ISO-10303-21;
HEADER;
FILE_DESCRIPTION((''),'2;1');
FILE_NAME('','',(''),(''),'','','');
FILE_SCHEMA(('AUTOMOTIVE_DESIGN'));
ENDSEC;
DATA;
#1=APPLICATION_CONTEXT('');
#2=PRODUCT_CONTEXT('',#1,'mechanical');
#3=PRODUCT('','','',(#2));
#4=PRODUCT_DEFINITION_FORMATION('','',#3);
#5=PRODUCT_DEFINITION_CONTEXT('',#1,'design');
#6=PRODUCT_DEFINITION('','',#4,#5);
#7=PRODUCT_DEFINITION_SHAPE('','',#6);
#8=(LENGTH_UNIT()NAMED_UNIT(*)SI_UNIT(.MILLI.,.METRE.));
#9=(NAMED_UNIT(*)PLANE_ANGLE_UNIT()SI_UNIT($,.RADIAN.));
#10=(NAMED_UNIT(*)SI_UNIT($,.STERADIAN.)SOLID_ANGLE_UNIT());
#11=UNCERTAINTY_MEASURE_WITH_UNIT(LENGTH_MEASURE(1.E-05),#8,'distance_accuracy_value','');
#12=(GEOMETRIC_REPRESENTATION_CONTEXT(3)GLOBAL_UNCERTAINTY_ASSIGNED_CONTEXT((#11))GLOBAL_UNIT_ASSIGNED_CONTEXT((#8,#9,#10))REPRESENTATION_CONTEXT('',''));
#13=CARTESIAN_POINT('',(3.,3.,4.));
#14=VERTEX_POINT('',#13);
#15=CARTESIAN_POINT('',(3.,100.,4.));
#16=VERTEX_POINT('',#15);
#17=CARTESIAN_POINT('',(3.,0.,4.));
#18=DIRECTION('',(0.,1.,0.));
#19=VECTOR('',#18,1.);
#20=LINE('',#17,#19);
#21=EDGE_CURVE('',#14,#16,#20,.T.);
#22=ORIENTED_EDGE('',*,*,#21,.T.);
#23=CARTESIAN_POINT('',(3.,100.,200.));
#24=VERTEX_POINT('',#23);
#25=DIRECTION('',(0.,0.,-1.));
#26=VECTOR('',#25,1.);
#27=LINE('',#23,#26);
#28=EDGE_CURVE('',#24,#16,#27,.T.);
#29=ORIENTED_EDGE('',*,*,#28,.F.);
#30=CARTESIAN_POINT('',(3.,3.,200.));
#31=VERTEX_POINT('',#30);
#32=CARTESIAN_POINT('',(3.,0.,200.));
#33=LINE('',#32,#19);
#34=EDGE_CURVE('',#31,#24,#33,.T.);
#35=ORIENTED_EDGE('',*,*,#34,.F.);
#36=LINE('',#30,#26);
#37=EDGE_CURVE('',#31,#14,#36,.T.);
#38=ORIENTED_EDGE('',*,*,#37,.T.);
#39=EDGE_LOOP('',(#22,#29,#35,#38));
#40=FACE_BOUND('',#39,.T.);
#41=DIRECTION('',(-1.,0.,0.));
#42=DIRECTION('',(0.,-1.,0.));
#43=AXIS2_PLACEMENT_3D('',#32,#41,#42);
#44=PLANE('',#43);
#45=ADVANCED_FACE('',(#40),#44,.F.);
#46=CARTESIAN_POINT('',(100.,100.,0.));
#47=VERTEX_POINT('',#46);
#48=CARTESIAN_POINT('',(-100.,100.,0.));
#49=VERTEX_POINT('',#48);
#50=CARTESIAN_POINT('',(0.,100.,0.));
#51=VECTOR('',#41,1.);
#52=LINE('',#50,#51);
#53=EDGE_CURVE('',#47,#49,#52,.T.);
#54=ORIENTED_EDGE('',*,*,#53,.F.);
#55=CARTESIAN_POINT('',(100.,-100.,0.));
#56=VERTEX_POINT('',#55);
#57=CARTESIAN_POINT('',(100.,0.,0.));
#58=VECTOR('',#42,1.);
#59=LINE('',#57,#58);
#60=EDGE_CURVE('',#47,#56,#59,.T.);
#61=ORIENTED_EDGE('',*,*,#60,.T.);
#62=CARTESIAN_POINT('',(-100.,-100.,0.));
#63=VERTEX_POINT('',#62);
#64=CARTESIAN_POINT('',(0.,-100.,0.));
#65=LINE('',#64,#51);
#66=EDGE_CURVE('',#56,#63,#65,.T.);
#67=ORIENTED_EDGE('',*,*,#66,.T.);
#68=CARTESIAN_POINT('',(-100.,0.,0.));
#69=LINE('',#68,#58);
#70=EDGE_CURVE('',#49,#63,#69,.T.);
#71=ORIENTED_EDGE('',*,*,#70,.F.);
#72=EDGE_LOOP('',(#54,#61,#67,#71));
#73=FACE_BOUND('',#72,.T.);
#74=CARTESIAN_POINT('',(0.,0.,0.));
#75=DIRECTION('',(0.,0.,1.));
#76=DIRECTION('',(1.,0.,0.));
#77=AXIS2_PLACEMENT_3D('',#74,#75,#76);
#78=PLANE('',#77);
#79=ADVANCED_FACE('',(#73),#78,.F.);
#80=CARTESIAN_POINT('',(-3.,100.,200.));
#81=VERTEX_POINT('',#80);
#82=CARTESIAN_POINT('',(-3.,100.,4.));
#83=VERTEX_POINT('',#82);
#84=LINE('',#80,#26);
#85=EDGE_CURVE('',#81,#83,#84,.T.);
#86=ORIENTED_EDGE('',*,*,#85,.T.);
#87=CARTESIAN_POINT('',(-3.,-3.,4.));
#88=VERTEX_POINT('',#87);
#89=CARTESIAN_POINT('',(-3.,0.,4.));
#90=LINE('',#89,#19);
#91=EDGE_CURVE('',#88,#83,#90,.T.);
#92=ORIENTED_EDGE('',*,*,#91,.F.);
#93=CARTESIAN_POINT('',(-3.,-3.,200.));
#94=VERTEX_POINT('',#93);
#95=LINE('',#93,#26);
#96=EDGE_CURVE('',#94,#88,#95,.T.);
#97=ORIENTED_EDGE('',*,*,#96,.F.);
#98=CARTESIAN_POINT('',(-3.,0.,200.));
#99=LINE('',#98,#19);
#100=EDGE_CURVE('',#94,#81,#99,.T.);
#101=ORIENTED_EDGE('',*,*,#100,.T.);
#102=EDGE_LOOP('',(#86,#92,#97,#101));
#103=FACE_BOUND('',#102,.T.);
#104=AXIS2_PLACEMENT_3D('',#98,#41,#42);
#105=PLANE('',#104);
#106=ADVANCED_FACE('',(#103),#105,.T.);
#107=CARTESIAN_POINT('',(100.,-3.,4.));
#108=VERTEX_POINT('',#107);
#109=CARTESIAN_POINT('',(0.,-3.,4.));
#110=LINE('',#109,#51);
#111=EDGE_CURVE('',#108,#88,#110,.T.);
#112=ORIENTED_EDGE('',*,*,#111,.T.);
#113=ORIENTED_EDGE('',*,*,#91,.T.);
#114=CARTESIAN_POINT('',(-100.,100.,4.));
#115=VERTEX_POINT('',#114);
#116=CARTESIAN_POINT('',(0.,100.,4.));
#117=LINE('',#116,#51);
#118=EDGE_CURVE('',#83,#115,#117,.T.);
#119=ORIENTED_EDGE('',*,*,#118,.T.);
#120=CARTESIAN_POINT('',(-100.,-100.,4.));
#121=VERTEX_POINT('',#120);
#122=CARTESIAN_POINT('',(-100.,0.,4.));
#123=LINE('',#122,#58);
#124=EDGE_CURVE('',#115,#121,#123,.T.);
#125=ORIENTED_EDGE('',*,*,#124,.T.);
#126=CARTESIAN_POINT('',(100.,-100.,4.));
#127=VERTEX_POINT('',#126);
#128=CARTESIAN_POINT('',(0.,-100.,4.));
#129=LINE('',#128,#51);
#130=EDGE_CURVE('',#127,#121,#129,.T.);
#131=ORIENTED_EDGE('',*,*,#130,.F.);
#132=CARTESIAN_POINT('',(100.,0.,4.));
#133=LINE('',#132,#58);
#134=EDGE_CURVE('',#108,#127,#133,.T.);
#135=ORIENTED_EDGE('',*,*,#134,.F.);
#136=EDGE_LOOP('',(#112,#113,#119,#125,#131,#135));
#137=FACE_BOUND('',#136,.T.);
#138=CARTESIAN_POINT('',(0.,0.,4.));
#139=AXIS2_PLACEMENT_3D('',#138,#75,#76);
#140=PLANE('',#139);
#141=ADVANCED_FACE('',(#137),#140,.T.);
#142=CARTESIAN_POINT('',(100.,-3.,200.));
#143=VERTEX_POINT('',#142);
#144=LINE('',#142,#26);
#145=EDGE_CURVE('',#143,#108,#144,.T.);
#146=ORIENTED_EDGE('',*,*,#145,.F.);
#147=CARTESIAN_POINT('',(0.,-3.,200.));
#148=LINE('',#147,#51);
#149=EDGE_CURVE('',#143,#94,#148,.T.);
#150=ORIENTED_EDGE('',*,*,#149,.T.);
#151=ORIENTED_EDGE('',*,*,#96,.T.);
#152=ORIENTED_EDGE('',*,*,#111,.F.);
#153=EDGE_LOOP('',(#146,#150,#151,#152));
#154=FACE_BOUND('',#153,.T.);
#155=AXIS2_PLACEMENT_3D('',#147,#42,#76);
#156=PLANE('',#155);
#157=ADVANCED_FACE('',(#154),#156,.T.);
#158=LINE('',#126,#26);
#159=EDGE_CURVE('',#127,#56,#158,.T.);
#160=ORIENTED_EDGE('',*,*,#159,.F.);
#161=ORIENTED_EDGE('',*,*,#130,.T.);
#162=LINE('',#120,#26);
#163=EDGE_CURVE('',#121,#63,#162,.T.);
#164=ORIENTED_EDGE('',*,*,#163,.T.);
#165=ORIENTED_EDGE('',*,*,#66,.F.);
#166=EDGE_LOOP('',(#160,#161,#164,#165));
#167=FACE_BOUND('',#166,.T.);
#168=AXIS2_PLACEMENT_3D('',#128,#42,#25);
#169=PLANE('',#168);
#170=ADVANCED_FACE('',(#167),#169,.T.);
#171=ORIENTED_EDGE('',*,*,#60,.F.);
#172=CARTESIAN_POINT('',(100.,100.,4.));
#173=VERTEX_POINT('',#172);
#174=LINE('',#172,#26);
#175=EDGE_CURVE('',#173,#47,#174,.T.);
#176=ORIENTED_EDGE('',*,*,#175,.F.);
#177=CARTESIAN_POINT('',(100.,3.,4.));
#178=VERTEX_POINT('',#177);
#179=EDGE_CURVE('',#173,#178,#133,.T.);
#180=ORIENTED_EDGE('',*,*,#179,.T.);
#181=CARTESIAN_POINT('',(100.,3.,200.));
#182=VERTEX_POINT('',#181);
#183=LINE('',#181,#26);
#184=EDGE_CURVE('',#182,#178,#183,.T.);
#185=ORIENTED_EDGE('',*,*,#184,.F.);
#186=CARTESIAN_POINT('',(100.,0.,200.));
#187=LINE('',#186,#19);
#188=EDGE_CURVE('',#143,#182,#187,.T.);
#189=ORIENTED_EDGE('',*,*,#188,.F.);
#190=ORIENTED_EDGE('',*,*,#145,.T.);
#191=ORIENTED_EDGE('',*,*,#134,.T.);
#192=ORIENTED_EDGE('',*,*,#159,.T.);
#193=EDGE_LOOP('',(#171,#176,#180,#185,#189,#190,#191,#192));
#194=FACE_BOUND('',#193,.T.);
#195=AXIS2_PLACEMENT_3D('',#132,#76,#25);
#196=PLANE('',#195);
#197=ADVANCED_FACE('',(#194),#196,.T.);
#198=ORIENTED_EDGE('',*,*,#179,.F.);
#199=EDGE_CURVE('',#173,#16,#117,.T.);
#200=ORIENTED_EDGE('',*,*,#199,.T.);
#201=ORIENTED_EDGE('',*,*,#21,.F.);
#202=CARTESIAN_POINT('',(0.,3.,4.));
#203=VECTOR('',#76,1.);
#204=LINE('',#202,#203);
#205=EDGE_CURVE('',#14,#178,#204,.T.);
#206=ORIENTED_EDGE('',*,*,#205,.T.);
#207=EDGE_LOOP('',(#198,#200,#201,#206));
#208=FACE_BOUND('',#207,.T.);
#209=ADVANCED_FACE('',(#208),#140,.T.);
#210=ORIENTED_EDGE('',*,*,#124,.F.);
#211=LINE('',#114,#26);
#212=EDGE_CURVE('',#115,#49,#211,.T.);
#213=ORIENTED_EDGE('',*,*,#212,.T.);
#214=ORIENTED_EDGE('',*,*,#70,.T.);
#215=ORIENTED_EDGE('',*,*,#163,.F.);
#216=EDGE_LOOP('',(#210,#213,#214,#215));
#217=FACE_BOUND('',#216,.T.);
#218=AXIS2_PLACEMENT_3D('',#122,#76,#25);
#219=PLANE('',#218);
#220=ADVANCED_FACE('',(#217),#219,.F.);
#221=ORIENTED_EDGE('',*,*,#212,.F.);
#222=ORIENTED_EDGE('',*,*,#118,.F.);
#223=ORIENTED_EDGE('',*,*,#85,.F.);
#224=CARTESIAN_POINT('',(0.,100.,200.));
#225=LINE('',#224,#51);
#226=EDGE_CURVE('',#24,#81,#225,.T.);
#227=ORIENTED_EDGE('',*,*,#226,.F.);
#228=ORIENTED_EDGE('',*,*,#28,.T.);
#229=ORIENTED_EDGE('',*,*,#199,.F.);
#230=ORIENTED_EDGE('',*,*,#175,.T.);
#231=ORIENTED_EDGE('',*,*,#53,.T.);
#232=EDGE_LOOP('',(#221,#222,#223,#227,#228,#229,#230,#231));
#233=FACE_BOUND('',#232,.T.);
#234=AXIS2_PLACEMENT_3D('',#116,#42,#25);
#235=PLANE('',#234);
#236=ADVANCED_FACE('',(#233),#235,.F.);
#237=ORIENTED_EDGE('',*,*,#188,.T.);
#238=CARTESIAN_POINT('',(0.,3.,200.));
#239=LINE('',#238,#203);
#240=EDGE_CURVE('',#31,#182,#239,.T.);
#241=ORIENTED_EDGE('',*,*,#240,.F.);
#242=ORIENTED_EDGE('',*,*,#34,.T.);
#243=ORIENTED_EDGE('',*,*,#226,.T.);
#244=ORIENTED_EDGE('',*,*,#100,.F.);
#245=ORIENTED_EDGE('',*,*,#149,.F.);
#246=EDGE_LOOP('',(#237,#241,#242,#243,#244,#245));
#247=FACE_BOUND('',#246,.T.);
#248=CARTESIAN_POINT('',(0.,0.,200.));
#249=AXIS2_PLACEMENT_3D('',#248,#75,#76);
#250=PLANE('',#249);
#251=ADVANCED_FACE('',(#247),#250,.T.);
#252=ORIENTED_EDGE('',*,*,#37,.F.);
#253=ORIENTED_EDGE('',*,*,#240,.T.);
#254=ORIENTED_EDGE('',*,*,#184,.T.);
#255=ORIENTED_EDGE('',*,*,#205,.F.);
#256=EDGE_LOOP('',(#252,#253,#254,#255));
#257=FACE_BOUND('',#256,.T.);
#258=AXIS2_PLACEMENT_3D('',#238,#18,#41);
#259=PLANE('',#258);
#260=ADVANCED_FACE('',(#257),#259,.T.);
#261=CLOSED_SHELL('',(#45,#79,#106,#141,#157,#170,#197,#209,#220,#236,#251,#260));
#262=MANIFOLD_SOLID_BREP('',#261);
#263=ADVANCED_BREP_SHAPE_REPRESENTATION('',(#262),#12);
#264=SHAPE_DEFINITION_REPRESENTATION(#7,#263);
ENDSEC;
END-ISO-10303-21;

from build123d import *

# Parameters (mm, degrees)
SZKIC1_W                    = 100
SZKIC1_H                    = 100
DODANIE_WYCI_GNI_CIE1_DEPTH = 4
DODANIE_WYCI_GNI_CIE3_DEPTH = 196


with BuildPart() as part:
    # Szkic1 → Dodanie-wyciągnięcie1 (new body)
    with BuildSketch(Plane.XY):
        with Locations((-50, 50)):
            Rectangle(SZKIC1_W, SZKIC1_H)
        with Locations((50, 50)):
            Rectangle(SZKIC1_W, SZKIC1_H)
        with Locations((50, -50)):
            Rectangle(SZKIC1_W, SZKIC1_H)
        with Locations((-50, -50)):
            Rectangle(SZKIC1_W, SZKIC1_H)
    extrude(amount=DODANIE_WYCI_GNI_CIE1_DEPTH)

    # Szkic2 → Dodanie-wyciągnięcie3 (add)
    with BuildSketch(Plane.XY.offset(4)):
        Polygon((100, 3), (3, 3), (3, 100), (-3, 100), (-3, -3), (100, -3), align=None)
    extrude(amount=DODANIE_WYCI_GNI_CIE3_DEPTH)


solid = part.part
